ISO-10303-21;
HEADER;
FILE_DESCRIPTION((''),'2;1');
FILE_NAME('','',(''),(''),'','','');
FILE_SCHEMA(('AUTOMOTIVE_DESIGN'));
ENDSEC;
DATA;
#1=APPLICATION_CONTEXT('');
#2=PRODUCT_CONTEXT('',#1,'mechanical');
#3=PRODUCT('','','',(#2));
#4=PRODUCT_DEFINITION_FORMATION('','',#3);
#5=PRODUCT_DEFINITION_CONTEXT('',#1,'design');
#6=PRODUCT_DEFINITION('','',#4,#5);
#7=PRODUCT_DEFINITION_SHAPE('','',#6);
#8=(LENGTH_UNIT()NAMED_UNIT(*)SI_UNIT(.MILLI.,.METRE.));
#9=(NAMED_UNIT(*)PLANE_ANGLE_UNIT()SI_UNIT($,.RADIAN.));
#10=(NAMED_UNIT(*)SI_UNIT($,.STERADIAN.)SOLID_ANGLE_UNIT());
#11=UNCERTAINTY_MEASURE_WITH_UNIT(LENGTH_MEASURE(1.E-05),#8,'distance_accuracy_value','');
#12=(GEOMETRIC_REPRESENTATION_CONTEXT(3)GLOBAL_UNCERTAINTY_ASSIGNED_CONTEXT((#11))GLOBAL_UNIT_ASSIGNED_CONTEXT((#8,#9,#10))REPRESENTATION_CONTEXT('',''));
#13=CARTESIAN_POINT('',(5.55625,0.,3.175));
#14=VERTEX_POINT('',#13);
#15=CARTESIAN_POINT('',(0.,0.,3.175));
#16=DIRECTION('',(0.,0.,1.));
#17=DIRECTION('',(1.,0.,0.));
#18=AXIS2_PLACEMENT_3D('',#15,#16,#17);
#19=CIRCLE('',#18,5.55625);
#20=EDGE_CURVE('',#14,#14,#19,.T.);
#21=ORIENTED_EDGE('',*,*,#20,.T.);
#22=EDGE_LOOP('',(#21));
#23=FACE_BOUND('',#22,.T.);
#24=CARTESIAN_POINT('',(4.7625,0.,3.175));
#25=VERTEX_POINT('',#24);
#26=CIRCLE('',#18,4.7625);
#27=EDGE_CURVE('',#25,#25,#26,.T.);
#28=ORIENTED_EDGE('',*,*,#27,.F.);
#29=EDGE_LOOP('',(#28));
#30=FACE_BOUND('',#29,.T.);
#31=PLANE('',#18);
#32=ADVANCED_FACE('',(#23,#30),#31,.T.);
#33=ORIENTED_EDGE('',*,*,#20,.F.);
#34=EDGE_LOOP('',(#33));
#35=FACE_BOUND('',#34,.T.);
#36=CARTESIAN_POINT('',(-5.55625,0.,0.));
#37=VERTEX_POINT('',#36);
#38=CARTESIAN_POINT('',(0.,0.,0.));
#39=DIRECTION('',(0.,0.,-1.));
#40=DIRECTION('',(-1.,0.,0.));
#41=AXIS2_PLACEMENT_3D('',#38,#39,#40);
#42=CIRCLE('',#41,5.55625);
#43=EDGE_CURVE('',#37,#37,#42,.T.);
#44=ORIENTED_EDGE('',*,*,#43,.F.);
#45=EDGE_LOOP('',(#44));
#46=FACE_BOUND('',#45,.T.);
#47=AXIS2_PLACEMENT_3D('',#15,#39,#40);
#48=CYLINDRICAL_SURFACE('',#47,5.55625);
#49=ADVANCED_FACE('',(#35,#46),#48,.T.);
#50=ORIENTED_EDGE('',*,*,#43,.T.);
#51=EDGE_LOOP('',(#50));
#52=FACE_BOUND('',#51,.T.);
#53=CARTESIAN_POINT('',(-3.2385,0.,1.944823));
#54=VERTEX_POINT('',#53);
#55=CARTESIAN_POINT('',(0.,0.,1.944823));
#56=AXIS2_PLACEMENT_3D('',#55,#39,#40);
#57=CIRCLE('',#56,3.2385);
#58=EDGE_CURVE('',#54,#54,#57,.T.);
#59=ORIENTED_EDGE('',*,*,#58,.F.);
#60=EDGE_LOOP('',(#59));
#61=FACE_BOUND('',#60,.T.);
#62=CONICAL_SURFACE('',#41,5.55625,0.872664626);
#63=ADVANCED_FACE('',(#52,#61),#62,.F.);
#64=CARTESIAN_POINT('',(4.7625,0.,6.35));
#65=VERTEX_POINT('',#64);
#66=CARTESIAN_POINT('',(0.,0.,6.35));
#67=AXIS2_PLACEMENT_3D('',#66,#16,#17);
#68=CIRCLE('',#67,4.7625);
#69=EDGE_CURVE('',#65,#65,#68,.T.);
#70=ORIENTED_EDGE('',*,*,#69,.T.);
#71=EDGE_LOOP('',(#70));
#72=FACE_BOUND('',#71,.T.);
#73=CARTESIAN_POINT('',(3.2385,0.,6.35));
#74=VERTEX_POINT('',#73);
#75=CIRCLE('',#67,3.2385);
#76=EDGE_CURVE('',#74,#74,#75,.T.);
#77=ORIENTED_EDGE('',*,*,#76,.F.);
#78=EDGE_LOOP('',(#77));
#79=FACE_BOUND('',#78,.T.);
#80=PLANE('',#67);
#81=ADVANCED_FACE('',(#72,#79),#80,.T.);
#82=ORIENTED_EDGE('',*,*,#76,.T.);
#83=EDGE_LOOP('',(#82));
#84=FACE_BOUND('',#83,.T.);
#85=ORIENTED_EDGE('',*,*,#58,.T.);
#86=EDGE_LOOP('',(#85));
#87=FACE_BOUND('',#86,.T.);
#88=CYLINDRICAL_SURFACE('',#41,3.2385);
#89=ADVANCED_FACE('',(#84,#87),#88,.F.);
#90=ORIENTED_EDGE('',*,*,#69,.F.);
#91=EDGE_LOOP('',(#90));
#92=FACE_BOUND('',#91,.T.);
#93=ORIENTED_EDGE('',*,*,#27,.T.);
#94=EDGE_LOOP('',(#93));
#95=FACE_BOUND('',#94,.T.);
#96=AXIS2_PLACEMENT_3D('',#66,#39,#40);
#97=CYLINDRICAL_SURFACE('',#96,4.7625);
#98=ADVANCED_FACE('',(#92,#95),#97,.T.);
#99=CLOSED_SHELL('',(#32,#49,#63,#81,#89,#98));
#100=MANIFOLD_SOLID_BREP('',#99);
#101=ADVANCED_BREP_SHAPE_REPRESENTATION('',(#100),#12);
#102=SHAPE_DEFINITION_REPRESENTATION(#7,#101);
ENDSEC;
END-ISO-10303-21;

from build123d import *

# Parameters (mm, degrees)
SKETCH1_R                                           = 5.55625
BOSS_EXTRUDE1_DEPTH                                 = 3.175
SKETCH2_R                                           = 4.7625
BOSS_EXTRUDE2_DEPTH                                 = 3.175
CSK_FOR_1_4_FLAT_HEAD_MACHINE_SCREW_100_D           = 6.477
CSK_FOR_1_4_FLAT_HEAD_MACHINE_SCREW_100_CSINK_D     = 11.1125
CSK_FOR_1_4_FLAT_HEAD_MACHINE_SCREW_100_CSINK_ANGLE = 100


with BuildPart() as part:
    # Sketch1 → Boss-Extrude1 (new body)
    with BuildSketch(Plane.XY):
        Circle(SKETCH1_R)
    extrude(amount=BOSS_EXTRUDE1_DEPTH)

    # Sketch2 → Boss-Extrude2 (add)
    with BuildSketch(Plane.XY.offset(3.175)):
        Circle(SKETCH2_R)
    extrude(amount=BOSS_EXTRUDE2_DEPTH)

    # CSK for 1/4 Flat Head Machine Screw (100)1 (through all)
    with Locations(Plane(origin=(0, 0, 0), x_dir=(-1, 0, 0), z_dir=(0, 0, -1))):
        with Locations((0, 0)):
            CounterSinkHole(CSK_FOR_1_4_FLAT_HEAD_MACHINE_SCREW_100_D / 2, CSK_FOR_1_4_FLAT_HEAD_MACHINE_SCREW_100_CSINK_D / 2, counter_sink_angle=CSK_FOR_1_4_FLAT_HEAD_MACHINE_SCREW_100_CSINK_ANGLE)


solid = part.part
